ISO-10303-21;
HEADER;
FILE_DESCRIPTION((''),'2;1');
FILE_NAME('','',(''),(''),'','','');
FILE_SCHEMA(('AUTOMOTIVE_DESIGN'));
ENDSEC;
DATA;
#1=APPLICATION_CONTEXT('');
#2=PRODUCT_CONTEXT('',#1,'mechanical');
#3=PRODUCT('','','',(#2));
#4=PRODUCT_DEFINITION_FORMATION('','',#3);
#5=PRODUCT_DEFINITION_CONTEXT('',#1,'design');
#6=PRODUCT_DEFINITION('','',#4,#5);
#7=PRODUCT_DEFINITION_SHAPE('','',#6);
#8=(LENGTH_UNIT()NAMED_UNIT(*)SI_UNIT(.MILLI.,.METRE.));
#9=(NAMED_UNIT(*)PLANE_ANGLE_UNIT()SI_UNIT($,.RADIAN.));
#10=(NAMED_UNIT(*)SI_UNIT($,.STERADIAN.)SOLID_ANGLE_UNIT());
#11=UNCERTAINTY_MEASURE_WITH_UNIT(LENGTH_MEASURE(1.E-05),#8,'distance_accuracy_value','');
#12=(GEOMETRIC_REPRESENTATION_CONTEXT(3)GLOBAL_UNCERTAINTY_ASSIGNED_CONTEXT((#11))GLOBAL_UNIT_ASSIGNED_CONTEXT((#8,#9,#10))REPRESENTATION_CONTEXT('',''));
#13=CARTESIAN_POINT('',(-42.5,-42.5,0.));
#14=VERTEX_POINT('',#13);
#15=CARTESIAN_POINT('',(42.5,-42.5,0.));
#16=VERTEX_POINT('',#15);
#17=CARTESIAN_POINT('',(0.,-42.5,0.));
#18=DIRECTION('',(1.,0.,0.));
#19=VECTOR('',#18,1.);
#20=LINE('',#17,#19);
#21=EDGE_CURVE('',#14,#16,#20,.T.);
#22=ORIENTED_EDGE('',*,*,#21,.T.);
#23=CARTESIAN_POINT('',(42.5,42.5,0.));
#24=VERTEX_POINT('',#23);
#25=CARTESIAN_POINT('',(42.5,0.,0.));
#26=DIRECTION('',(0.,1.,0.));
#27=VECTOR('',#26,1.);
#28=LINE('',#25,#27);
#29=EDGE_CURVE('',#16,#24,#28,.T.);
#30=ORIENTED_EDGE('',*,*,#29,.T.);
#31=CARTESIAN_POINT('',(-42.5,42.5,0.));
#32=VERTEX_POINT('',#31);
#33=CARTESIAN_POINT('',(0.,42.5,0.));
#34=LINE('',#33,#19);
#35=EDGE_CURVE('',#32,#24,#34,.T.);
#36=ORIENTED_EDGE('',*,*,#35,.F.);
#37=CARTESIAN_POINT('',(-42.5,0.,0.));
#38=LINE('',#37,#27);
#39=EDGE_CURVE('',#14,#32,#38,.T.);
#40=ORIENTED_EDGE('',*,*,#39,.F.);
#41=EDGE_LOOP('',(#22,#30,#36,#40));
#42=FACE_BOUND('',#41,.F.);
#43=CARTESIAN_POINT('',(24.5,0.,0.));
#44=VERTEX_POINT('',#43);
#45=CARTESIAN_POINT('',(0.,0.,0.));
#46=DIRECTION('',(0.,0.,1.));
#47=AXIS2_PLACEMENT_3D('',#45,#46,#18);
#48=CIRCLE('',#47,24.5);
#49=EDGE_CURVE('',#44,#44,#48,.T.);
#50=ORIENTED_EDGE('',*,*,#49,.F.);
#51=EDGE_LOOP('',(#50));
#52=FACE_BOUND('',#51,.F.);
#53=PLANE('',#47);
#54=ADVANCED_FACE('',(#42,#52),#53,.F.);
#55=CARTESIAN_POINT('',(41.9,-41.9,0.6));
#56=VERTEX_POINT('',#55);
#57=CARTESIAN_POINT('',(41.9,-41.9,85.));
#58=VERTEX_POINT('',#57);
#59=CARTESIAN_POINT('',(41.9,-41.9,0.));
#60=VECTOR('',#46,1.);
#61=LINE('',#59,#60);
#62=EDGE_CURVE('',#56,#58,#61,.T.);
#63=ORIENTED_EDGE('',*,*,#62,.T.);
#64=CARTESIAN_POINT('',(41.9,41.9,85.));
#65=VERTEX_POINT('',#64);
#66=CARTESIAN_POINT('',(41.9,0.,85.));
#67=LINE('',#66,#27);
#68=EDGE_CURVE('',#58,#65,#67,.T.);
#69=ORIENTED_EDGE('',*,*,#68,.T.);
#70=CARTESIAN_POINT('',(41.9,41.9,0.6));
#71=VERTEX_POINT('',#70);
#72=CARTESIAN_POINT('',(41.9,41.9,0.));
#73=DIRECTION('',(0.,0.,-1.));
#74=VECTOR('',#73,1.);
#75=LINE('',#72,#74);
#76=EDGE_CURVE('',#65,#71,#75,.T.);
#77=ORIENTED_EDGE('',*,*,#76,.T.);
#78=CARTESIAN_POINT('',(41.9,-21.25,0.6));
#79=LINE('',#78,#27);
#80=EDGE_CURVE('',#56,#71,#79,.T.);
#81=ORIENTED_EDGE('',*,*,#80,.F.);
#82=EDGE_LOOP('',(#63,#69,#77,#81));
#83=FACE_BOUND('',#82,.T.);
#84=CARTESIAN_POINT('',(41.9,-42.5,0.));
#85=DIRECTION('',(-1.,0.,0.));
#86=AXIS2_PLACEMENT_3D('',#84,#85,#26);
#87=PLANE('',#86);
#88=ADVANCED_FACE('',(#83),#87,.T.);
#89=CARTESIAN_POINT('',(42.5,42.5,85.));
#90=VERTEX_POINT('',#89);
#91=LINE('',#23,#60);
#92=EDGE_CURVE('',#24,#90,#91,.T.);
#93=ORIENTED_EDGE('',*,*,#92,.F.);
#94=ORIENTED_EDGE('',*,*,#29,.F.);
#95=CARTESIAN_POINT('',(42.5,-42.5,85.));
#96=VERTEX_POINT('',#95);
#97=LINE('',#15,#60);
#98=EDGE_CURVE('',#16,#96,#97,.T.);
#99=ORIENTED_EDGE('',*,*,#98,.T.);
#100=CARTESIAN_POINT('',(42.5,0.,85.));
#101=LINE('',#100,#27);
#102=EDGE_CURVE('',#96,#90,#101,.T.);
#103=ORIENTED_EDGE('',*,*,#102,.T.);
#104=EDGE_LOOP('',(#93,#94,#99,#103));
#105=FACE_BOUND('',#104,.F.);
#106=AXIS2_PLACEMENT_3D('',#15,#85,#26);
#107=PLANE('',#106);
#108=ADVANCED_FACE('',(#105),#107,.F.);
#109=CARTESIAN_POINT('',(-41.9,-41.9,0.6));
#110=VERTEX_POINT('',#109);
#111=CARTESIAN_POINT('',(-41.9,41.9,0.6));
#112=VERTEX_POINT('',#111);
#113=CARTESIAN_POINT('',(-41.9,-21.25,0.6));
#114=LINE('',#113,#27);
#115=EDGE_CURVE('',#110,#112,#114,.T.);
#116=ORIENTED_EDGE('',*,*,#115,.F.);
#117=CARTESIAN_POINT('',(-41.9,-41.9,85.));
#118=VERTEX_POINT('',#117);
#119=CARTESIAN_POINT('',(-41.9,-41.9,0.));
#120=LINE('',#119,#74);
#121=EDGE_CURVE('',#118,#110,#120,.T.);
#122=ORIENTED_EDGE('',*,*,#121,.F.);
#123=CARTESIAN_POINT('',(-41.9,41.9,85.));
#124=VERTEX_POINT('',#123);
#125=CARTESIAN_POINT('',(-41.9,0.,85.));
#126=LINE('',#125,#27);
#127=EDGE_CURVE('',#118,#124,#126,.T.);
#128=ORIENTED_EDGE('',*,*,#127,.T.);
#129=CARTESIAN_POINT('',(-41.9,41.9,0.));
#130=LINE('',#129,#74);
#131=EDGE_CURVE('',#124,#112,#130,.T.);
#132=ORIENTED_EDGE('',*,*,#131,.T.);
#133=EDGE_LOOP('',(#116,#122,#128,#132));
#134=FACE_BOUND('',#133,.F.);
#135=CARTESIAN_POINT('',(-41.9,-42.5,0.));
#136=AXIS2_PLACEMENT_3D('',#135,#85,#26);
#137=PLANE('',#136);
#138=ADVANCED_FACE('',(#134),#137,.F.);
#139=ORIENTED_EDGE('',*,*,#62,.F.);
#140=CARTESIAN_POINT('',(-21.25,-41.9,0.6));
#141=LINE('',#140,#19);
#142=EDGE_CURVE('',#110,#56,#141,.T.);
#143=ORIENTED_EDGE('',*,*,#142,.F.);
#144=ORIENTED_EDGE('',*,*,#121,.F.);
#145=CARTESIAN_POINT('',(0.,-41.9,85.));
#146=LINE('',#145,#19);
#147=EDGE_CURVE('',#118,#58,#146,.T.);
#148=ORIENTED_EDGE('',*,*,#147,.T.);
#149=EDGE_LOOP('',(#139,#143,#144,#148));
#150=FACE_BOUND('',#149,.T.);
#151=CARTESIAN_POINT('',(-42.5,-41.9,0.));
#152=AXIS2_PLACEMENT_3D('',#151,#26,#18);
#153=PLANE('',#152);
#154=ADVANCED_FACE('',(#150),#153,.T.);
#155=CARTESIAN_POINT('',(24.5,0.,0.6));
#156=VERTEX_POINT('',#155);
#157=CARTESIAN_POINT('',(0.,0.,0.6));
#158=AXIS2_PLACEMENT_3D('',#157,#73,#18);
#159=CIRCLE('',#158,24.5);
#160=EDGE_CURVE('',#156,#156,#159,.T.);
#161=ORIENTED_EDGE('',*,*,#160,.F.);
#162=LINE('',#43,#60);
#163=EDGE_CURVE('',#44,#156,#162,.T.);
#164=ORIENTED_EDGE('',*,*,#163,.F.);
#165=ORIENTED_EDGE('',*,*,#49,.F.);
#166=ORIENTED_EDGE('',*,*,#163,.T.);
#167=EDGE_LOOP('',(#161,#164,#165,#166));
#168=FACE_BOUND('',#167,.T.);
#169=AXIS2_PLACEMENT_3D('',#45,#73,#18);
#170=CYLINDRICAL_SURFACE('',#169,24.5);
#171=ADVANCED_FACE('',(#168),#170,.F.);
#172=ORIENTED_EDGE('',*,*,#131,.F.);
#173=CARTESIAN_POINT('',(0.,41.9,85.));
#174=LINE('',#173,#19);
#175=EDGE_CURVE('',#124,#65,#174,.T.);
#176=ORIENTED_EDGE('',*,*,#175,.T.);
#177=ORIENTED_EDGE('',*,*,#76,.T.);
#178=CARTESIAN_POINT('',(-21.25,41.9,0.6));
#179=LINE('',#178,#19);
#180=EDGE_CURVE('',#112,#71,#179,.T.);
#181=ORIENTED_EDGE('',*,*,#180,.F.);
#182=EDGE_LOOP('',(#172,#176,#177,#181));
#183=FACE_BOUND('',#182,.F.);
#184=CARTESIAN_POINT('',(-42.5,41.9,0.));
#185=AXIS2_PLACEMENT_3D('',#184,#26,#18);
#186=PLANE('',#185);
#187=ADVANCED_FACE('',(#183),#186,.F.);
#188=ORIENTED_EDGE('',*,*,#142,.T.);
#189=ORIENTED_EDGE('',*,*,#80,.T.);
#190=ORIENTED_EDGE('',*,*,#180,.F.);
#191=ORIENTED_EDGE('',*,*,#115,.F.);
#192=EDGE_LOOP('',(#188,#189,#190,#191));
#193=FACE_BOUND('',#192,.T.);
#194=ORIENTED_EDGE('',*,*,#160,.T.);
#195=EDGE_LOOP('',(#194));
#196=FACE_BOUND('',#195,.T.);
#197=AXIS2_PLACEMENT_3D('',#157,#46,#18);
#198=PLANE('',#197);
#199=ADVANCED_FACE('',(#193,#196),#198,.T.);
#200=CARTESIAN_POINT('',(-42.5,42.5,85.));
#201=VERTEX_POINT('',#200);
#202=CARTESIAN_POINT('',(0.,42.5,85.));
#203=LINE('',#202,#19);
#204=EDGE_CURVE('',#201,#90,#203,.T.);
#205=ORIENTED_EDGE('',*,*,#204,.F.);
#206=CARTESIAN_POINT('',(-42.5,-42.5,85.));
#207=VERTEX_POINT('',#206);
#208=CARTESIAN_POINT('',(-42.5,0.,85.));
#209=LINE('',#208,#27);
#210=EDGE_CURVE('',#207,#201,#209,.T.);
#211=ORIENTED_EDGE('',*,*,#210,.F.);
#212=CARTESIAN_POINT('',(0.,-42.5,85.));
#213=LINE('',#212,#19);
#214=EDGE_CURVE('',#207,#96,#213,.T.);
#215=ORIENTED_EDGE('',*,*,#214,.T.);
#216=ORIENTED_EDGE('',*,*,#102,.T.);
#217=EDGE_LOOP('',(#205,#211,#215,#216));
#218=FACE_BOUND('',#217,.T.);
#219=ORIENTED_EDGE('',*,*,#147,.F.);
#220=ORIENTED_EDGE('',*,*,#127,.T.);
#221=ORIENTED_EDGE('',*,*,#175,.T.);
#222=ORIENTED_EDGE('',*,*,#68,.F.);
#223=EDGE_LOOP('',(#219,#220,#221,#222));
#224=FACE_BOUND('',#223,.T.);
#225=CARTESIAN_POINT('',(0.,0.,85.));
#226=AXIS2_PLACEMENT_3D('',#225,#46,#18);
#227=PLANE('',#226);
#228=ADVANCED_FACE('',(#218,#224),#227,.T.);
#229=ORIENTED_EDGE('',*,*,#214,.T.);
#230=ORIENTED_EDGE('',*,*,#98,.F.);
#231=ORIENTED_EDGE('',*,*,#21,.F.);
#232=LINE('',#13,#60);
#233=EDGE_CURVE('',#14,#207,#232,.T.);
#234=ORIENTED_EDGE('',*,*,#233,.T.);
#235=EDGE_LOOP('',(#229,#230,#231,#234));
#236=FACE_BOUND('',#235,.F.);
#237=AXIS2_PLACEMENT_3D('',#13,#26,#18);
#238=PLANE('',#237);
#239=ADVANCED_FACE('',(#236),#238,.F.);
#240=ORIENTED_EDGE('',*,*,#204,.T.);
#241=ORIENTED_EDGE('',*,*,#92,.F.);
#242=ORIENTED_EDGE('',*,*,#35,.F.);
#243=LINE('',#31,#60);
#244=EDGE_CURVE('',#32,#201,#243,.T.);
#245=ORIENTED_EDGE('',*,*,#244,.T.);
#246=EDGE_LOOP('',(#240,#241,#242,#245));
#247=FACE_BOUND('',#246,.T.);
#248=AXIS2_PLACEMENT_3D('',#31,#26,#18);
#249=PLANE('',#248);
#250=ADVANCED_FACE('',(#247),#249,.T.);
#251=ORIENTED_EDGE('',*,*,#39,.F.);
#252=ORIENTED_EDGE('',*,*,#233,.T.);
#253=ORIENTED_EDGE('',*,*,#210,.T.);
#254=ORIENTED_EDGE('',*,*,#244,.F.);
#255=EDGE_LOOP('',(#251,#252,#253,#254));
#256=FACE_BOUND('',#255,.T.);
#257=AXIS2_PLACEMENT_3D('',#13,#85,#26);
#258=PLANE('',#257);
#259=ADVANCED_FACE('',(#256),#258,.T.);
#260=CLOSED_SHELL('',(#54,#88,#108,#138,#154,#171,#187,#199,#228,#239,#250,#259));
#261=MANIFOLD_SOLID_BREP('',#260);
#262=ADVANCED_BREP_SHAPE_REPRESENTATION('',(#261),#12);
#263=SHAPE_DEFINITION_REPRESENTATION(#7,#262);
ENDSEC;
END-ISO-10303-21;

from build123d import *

# Parameters (mm, degrees)
F0_W     = 85
F0_H     = 85
F1_DEPTH = 85
F2_T     = -0.6
F3_R     = 24.5
F4_DEPTH = 25


with BuildPart() as f1:
    # F0 (on Top) → F1 (new body)
    with BuildSketch(Plane.XY):
        Rectangle(F0_W, F0_H)
    extrude(amount=F1_DEPTH)

    # F2
    f2_openings = [f1.faces().sort_by_distance(p)[0] for p in [
        (0, 0, 85),
    ]]
    offset(amount=F2_T, openings=f2_openings)

    # F3 (on Top) → F4 (cut)
    with BuildSketch(Plane.XY):
        Circle(F3_R)
    extrude(amount=F4_DEPTH, mode=Mode.SUBTRACT)


solid = f1.part
